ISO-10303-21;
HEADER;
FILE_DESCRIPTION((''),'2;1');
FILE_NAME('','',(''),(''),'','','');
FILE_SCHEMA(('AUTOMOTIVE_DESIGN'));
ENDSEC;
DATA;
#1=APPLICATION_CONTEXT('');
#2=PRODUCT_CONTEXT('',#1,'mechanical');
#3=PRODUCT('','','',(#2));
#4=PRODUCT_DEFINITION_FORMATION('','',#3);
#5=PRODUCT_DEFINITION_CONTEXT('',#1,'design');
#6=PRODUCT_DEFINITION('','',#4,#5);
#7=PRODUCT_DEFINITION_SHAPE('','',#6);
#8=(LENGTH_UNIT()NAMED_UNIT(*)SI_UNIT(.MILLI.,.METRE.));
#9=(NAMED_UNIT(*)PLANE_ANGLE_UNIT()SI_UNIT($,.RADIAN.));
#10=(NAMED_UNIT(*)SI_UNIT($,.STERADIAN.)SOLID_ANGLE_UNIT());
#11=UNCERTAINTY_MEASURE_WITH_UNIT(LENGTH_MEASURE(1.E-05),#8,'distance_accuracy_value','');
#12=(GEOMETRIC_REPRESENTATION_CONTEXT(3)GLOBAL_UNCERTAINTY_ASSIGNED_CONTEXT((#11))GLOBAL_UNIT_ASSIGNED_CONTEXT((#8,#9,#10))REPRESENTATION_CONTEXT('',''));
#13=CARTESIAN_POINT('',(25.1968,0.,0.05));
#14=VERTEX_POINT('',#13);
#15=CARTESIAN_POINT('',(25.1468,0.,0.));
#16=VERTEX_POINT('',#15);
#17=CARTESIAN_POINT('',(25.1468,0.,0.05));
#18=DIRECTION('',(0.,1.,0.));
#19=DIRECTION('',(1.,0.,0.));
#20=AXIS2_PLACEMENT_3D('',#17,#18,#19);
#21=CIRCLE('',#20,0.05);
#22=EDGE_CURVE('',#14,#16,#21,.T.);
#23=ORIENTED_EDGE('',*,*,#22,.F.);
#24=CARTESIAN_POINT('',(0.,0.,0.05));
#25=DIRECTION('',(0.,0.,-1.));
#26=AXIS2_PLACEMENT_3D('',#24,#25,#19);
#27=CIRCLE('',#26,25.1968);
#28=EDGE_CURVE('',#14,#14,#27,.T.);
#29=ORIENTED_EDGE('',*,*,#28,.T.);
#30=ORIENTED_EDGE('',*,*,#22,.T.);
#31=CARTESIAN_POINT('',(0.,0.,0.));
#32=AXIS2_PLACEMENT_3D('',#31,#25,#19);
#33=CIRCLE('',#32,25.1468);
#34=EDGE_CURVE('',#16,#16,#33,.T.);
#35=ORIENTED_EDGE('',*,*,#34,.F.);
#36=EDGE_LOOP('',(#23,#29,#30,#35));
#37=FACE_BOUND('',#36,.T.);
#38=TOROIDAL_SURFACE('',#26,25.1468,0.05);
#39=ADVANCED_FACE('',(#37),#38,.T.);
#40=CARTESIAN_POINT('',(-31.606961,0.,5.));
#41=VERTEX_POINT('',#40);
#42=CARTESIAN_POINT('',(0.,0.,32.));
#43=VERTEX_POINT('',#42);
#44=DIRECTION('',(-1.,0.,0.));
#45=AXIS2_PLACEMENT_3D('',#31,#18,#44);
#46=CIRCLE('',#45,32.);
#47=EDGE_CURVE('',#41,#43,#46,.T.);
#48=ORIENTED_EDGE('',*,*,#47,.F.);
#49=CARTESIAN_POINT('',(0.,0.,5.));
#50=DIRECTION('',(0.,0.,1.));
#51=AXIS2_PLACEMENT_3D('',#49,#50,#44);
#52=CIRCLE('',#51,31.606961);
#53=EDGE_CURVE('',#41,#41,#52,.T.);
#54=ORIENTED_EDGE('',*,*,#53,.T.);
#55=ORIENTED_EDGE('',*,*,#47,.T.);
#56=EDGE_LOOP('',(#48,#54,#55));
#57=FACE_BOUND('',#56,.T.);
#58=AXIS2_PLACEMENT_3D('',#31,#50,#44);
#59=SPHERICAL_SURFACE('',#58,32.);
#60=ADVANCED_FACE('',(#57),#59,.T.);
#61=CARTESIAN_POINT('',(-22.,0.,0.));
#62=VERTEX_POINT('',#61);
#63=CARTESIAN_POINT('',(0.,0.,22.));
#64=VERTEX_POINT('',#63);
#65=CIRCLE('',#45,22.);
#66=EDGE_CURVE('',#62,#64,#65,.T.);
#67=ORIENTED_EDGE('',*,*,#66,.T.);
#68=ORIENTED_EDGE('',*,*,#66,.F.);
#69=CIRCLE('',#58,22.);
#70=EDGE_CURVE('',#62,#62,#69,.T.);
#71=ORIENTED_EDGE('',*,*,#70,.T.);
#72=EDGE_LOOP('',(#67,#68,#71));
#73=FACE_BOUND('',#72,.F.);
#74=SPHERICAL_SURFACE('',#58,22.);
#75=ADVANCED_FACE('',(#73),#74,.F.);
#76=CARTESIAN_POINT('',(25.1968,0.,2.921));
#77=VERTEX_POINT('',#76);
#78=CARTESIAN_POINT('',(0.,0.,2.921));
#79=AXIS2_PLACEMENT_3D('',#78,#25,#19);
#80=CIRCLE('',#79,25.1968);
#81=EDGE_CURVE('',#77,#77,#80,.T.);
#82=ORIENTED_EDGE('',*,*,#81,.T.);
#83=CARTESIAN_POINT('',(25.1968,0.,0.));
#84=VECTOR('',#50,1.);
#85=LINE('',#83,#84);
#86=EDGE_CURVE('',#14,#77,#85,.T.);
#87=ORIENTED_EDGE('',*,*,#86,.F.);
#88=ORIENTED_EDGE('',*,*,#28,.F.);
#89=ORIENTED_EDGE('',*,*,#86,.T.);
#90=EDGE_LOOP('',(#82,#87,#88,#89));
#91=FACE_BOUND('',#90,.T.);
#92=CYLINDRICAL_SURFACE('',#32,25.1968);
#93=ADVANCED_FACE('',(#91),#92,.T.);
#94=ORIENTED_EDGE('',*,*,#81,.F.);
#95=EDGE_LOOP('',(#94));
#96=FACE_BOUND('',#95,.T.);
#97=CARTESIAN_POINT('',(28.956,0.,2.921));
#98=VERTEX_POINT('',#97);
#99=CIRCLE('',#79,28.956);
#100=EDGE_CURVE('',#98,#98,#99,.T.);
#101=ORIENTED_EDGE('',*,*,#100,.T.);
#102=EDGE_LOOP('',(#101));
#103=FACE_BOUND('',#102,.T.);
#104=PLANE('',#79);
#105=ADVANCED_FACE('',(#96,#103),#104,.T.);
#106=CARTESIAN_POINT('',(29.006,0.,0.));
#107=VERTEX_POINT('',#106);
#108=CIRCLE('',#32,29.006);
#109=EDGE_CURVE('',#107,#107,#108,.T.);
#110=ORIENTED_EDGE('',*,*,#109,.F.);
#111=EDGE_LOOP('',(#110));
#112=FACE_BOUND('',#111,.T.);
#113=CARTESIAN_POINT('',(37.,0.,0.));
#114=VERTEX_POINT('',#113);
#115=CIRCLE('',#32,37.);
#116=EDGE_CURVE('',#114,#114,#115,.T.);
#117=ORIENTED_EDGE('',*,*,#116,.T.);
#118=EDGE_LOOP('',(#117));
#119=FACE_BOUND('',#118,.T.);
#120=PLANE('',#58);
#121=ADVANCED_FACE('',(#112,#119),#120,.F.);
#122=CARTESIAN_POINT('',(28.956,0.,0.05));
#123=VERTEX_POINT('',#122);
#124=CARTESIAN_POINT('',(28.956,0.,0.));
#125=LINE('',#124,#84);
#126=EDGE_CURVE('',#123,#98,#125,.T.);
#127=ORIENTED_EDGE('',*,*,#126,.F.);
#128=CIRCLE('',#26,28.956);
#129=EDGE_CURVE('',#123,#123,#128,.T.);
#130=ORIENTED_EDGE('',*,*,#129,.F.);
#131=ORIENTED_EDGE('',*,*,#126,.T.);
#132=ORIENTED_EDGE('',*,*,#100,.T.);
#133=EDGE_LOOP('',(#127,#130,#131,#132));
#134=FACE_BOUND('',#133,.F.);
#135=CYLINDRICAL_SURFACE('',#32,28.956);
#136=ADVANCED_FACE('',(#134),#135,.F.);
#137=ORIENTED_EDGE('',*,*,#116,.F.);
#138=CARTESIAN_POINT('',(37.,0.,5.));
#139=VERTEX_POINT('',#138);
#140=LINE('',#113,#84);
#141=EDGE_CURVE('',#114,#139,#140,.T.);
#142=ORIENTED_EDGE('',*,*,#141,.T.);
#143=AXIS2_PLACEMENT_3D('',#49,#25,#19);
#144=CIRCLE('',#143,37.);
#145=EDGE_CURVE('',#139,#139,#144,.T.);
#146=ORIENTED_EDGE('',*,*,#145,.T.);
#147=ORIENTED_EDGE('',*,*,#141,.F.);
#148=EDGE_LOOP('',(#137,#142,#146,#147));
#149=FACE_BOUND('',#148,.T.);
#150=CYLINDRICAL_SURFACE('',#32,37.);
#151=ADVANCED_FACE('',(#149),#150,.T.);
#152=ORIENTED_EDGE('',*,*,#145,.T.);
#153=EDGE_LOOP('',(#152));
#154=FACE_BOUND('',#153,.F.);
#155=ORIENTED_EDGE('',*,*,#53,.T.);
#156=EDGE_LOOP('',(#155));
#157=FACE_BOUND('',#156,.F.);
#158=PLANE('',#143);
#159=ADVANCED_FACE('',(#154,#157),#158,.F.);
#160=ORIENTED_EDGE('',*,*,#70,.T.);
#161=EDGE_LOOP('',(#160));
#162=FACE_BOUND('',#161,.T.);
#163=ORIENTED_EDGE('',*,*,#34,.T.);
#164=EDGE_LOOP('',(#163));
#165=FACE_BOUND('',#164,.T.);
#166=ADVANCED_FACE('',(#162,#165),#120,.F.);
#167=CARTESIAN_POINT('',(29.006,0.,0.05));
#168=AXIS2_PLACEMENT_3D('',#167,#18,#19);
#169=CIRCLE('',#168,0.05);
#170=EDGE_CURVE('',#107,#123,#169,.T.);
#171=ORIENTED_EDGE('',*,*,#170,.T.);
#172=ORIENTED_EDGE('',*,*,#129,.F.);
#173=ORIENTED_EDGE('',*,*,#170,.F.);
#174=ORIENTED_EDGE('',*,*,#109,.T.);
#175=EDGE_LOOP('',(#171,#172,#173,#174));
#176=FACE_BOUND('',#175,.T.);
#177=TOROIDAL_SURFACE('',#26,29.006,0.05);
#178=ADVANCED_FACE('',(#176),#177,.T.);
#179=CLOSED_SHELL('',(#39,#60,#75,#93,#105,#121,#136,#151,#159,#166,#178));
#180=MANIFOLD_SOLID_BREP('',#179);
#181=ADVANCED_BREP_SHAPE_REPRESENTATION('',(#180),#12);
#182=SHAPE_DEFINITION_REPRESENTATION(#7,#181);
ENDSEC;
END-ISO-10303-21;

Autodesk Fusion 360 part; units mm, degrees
sketch "Sketch1" plane through (0, 0, 0) normal (0, 1, 0) x (1, 0, 0)
  line L0 (-36, 0) -> (40, 0) construction
  arc A0 (-32, 0) -> (0, -32) centre (0, 0) ccw
  arc A1 (-22, 0) -> (0, -22) centre (0, 0) ccw
  line L1 (0, -32) -> (0, -22)
  line L2 (-22, 0) -> (-32, 0)
  dimension "d3" = 22
  dimension "d4" = 32
revolve "Revolve1" add sketch "Sketch1" angle 360 about axis through (0, 0, 1.75) along (0, 0, 1)
sketch "Sketch2" plane through (0, 0, 0) normal (0, 0, -1) x (1, 0, 0)
  circle A0 centre (0, 0) radius 32
  circle A1 centre (0, 0) radius 22
  circle A2 centre (0, 0) radius 25.1968
  circle A3 centre (0, 0) radius 28.956
  dimension "d6" = 50.3936
  dimension "d7" = 57.912
extrude "Extrude1" cut sketch "Sketch2" against normal blind 2.921 contours A3
sketch "Sketch3" plane through (0, 0, 0) normal (0, 0, -1) x (1, 0, 0)
  circle A0 centre (0, 0) radius 32
  circle A1 centre (0, 0) radius 28.956
  circle A2 centre (0, 0) radius 37
  dimension "d10" = 74
extrude "Extrude2" add sketch "Sketch3" against normal blind 5 contours A0 | A2
fillet "Fillet1" radius 0.05 2 edges at (-23.4917, 9.1116, 0) (-26.9965, -10.4709, 0)
